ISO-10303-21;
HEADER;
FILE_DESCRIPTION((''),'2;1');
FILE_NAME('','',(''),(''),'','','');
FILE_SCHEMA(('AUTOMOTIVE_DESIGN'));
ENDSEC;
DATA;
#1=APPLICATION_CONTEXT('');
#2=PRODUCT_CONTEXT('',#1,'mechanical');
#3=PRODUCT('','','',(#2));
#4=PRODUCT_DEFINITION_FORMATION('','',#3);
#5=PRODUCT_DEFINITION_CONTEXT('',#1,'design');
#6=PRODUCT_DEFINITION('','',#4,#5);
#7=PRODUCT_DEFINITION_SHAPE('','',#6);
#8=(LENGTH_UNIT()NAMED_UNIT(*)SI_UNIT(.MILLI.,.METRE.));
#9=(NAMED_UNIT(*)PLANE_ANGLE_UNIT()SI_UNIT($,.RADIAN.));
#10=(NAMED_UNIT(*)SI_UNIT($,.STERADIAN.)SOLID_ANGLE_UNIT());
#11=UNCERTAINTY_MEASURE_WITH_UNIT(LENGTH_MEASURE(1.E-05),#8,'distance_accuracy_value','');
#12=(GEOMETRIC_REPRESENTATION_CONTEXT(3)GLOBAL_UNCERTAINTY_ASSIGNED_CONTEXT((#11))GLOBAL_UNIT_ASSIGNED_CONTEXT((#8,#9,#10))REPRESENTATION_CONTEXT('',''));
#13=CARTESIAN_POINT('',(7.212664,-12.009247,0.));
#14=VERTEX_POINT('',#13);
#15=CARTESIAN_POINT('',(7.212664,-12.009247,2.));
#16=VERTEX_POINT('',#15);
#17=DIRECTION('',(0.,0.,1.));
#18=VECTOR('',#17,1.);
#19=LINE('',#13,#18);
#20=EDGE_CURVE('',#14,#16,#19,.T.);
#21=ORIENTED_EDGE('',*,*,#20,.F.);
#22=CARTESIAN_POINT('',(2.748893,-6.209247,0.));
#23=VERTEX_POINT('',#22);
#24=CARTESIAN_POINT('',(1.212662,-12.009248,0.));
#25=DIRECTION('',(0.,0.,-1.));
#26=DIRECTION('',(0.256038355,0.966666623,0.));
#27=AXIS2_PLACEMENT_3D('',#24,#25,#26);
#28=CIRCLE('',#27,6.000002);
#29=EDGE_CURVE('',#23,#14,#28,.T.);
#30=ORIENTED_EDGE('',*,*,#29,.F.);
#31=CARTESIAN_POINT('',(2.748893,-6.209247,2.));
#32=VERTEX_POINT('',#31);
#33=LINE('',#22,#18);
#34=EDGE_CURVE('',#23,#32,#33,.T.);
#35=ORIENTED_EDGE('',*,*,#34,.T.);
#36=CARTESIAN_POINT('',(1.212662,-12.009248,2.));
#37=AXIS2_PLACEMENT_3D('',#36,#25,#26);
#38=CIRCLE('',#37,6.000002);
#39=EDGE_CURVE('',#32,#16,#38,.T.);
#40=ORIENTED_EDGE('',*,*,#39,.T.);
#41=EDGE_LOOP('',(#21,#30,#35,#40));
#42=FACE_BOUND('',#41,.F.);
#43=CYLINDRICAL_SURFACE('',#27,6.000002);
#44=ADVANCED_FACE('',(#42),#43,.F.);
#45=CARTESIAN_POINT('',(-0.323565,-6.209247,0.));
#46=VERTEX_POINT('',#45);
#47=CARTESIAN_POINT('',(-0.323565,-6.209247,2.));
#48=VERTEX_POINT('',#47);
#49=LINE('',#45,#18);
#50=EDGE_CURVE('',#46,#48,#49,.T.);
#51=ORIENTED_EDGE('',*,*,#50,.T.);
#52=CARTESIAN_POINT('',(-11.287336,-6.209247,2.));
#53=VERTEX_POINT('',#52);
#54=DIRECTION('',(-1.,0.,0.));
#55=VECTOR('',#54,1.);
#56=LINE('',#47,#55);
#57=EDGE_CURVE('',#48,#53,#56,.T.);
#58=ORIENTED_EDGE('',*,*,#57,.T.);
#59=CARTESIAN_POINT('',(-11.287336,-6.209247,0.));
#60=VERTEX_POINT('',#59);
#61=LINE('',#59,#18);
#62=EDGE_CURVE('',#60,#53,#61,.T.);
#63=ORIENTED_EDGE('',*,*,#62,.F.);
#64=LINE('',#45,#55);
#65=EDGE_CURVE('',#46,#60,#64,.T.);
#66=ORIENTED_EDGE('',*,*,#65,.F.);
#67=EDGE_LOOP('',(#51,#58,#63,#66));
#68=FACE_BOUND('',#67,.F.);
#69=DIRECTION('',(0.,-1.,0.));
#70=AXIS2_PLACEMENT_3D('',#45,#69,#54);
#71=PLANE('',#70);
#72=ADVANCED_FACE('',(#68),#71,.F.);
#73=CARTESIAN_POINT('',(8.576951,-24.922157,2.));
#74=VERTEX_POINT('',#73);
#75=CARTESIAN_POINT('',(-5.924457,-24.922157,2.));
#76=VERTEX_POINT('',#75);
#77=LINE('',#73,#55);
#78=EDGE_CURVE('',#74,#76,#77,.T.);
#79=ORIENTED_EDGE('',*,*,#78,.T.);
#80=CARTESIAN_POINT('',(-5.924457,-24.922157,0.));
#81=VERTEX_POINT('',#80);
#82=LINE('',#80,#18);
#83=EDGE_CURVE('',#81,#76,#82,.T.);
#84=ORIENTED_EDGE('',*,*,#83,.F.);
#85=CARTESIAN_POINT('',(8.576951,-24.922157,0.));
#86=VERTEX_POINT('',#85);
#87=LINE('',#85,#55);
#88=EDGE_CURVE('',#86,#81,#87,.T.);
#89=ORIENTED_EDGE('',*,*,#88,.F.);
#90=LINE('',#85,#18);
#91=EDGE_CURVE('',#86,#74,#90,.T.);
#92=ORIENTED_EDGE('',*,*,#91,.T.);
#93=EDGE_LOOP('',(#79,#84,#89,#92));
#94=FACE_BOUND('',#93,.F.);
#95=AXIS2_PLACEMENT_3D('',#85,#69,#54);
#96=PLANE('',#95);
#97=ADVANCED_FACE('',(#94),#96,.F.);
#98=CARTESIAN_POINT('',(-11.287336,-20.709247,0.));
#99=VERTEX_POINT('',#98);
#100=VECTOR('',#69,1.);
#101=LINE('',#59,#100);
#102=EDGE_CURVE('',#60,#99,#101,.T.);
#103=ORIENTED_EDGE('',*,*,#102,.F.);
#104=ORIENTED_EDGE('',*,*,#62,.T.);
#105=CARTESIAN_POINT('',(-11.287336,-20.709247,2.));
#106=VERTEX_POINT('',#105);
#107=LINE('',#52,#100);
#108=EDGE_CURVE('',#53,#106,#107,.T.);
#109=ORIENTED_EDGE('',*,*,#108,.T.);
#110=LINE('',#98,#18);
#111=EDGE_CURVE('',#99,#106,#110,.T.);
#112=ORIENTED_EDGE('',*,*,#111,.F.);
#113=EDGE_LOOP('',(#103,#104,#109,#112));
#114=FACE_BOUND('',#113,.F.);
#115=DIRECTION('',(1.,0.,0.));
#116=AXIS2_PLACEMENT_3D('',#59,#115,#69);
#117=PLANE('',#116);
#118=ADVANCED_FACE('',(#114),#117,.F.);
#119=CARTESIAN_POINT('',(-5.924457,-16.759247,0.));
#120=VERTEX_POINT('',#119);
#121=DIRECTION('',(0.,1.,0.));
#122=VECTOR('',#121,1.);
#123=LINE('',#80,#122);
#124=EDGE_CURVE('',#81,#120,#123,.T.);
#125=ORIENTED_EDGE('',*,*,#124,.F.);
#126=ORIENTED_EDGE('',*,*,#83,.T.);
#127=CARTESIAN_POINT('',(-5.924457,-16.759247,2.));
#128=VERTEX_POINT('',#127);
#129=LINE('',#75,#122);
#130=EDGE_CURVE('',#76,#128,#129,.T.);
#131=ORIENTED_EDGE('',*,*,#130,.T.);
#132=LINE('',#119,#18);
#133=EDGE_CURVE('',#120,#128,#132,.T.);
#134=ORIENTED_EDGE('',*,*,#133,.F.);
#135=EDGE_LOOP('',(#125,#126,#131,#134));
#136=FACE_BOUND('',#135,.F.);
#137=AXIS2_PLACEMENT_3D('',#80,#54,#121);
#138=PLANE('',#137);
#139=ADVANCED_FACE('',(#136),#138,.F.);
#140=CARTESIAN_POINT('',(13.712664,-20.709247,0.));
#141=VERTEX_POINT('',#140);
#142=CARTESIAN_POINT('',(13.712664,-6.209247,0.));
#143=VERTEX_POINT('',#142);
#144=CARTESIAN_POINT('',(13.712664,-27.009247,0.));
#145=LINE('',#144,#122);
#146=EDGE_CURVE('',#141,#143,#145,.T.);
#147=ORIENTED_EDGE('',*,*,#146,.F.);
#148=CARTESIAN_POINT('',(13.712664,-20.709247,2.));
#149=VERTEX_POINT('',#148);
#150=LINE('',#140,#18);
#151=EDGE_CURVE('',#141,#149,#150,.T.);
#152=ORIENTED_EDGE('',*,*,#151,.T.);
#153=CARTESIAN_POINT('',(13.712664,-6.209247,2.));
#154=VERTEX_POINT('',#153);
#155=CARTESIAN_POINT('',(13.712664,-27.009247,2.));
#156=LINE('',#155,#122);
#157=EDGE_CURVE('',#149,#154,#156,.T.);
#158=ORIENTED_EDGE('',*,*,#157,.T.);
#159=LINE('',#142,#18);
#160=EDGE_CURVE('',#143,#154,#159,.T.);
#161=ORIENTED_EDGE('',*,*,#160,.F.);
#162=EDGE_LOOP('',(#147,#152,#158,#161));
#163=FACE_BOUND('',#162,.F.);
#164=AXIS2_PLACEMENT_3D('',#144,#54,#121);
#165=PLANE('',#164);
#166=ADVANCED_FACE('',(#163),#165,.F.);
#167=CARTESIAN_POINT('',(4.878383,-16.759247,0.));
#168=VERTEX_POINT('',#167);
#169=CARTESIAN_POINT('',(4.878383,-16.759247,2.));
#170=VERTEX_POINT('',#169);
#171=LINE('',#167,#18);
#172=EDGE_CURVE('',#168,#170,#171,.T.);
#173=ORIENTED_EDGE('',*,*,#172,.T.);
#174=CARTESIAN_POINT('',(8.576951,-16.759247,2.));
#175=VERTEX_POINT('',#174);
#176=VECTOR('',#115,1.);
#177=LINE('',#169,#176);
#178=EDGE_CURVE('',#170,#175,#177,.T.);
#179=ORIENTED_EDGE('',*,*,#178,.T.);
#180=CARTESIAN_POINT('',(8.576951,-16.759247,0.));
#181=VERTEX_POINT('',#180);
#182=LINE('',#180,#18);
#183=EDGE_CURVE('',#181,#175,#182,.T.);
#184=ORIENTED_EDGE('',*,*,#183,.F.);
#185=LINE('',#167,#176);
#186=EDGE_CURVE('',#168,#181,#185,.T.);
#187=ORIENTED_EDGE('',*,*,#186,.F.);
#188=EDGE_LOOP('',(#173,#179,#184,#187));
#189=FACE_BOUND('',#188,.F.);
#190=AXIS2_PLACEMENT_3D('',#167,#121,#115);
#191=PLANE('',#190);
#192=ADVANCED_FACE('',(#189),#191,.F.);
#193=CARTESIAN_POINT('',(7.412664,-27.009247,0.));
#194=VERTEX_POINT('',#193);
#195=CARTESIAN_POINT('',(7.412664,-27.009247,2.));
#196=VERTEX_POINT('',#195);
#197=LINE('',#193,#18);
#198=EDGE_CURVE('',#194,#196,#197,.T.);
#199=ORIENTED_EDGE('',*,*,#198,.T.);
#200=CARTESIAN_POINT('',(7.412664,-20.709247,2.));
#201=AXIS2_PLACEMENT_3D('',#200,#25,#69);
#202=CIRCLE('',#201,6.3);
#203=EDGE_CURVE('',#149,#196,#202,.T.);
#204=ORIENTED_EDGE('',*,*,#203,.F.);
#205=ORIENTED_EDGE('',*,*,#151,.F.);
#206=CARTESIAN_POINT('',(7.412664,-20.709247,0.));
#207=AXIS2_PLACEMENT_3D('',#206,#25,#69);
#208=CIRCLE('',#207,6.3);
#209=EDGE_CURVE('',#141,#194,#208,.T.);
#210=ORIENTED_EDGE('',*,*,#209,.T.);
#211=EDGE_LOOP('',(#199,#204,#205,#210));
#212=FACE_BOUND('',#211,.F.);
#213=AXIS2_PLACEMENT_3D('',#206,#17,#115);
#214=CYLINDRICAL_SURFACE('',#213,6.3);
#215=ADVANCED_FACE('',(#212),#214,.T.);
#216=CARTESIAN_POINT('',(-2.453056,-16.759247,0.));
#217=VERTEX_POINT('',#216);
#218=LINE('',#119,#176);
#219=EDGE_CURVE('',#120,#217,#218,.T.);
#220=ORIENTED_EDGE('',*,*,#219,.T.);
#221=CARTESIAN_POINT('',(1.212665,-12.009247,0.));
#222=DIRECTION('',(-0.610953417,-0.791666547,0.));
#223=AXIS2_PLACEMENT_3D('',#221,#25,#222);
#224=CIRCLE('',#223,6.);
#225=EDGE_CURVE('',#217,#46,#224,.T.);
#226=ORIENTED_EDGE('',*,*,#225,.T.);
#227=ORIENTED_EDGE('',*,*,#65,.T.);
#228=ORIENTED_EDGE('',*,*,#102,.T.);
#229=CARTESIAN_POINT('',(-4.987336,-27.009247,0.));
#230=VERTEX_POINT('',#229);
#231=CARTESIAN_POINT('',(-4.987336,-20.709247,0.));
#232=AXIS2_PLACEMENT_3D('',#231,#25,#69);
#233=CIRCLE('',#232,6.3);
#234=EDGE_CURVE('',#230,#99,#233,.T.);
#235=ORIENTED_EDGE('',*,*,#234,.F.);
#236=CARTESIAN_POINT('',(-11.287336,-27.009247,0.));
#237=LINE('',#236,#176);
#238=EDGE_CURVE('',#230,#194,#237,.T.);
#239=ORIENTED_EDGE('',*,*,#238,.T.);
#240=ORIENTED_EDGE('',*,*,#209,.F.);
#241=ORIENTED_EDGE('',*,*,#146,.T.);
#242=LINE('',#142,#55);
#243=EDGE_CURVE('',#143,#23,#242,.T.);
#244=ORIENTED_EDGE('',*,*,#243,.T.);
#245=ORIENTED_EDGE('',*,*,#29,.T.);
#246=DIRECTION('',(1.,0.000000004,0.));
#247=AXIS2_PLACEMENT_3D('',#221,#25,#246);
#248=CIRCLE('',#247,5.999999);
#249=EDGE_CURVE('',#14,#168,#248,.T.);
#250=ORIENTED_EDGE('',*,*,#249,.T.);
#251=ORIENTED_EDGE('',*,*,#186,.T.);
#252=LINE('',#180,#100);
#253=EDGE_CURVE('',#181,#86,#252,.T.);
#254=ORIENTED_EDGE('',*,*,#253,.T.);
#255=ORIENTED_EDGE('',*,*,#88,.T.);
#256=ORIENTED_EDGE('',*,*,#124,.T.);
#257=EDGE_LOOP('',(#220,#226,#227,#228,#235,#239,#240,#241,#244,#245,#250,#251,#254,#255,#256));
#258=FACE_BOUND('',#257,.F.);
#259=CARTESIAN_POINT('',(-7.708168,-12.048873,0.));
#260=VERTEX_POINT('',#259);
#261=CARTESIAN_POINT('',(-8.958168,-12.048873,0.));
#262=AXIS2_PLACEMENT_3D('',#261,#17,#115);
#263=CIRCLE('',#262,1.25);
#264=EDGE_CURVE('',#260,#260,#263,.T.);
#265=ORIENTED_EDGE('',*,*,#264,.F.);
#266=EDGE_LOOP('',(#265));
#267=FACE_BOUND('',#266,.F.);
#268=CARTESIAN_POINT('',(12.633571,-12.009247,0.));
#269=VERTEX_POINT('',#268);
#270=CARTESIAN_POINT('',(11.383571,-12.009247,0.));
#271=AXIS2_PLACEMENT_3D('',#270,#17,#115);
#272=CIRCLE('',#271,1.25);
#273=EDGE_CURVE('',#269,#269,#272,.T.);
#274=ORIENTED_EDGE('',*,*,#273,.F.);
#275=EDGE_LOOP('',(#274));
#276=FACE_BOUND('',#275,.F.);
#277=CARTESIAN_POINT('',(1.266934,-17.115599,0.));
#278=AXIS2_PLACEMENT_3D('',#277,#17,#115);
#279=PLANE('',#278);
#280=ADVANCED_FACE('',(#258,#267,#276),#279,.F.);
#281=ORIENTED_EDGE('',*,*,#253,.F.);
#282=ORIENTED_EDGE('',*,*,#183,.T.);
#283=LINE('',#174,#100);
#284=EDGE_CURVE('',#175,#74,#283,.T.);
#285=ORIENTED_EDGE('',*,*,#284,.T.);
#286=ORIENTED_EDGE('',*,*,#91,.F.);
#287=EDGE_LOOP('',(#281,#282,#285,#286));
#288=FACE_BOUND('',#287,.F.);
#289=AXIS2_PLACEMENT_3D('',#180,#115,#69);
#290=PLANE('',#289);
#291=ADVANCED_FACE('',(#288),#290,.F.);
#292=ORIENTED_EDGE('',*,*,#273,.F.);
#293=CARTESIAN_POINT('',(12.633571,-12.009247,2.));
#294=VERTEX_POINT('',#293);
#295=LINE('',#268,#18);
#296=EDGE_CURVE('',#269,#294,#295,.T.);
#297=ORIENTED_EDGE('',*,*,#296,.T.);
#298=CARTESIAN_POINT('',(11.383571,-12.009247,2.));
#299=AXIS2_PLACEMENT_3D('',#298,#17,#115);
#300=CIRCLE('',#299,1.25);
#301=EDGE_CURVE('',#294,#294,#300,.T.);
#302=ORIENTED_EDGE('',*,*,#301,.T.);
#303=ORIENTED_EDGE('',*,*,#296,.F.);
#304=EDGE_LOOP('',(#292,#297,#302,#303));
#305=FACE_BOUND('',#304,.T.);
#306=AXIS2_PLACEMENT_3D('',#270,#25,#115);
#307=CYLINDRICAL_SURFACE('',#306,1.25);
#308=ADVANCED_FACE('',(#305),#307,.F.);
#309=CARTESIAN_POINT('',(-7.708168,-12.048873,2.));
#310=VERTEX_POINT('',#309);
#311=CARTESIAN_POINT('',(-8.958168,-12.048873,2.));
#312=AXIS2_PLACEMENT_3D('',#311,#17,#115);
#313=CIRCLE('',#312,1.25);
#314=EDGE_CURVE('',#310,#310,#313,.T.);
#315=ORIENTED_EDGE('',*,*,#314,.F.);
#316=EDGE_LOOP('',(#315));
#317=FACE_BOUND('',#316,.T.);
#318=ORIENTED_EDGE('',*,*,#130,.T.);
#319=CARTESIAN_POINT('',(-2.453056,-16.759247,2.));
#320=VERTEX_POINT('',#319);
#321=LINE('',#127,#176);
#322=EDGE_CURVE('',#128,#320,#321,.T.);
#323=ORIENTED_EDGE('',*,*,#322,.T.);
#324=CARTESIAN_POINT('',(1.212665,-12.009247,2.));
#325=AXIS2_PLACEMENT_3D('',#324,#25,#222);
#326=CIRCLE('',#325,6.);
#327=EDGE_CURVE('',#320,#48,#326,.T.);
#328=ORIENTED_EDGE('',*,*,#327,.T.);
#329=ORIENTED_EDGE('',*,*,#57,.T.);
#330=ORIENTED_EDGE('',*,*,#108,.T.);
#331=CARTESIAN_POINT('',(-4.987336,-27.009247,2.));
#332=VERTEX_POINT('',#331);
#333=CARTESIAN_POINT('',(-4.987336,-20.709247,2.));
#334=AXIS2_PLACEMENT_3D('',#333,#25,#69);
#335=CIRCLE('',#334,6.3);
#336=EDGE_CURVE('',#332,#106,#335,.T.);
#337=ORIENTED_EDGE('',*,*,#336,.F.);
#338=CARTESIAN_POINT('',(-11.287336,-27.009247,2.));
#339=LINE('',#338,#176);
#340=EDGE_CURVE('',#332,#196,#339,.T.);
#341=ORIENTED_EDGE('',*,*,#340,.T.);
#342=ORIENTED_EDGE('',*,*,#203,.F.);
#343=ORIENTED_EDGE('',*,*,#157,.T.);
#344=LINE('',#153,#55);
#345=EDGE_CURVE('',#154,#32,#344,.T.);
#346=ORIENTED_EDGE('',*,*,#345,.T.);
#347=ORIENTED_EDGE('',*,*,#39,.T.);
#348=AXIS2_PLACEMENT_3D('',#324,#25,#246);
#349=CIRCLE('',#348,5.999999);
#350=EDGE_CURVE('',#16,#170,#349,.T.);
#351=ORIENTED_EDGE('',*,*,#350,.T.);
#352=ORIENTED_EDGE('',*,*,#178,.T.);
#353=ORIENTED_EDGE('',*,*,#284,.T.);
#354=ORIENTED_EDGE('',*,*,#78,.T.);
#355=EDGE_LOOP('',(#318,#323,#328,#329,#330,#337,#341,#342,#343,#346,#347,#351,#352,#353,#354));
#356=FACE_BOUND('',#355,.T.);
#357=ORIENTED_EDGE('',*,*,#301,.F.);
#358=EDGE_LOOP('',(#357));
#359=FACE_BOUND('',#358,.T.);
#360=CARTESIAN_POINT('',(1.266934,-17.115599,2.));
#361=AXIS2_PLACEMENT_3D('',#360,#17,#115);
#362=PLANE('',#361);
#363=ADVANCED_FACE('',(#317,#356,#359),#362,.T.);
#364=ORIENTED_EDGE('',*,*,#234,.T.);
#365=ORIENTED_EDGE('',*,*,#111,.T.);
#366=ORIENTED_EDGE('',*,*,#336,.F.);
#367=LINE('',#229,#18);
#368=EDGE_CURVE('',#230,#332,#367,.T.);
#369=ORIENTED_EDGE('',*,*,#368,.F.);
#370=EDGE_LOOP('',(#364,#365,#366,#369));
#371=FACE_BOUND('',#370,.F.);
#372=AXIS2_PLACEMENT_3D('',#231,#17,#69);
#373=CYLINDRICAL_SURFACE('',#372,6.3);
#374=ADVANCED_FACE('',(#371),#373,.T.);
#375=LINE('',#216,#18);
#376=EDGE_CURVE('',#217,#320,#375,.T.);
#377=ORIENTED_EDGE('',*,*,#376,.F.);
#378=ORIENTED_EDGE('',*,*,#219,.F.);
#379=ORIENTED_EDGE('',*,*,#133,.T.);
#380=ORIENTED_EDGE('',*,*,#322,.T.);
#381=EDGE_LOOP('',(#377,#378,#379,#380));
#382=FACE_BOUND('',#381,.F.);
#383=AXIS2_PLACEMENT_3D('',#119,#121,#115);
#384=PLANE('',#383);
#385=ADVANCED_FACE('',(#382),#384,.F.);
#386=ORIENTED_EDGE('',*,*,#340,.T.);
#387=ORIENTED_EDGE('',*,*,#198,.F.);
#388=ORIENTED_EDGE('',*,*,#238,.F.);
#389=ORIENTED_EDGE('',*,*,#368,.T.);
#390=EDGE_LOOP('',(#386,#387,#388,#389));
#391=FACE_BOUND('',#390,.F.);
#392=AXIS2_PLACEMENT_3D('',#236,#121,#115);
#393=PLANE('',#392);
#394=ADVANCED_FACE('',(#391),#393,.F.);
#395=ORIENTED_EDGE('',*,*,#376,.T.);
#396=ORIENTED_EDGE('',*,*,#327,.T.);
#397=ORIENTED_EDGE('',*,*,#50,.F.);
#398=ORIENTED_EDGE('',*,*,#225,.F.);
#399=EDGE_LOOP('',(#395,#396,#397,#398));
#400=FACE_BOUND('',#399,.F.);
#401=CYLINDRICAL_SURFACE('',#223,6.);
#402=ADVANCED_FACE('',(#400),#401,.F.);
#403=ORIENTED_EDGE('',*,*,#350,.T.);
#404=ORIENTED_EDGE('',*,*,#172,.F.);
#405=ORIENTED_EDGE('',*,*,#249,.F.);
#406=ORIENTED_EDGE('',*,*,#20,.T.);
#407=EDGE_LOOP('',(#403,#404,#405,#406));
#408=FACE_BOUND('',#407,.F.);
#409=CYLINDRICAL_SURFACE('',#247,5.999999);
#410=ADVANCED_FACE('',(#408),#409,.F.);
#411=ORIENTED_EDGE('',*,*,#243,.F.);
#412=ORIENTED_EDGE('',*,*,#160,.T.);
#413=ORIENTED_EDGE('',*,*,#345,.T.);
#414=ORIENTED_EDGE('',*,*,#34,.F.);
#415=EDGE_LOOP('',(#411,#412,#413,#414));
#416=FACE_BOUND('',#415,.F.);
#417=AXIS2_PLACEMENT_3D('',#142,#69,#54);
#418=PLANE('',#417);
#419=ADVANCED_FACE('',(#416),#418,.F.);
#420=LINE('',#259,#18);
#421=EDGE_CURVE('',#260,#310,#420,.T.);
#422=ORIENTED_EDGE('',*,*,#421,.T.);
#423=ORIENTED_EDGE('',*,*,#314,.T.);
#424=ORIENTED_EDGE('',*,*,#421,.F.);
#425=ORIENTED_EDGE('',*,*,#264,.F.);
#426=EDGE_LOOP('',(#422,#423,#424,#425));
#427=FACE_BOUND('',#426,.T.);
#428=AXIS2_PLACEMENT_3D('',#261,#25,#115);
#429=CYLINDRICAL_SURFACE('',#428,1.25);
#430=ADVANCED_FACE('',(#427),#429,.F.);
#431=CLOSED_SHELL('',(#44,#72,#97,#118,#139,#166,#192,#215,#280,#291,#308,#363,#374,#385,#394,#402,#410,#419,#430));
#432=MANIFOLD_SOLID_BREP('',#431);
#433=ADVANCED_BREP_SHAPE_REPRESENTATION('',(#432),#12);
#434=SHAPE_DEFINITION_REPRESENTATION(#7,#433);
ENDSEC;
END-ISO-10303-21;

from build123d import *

# Parameters (mm, degrees)
F0_R     = 1.25
F1_DEPTH = 2
F2_R     = 6.3


with BuildPart() as f1:
    # F0 (on Top) → F1 (new body)
    with BuildSketch(Plane.XY):
        with BuildLine():
            ThreePointArc((2.748893, -6.209247), (5.967523, -8.349833), (7.212664, -12.009247))
            ThreePointArc((7.212664, -12.009247), (6.597565, -14.655535), (4.878383, -16.759247))
            Line((4.878383, -16.759247), (5.962664, -16.759247))
            Line((5.962664, -16.759247), (8.576951, -16.759247))
            Line((8.576951, -16.759247), (8.576951, -24.922157))
            Line((8.576951, -24.922157), (-5.924457, -24.922157))
            Line((-5.924457, -24.922157), (-5.924457, -16.759247))
            Line((-5.924457, -16.759247), (-3.537336, -16.759247))
            Line((-3.537336, -16.759247), (-2.453056, -16.759247))
            ThreePointArc((-2.453056, -16.759247), (-4.668721, -10.822105), (-0.323565, -6.209247))
            Line((-0.323565, -6.209247), (-11.287336, -6.209247))
            Line((-11.287336, -6.209247), (-11.287336, -21.309247))
            Line((-11.287336, -21.309247), (-11.287336, -27.009247))
            Line((-11.287336, -27.009247), (13.712664, -27.009247))
            Line((13.712664, -27.009247), (13.712664, -22.122699))
            Line((13.712664, -22.122699), (13.712664, -6.209247))
            Line((13.712664, -6.209247), (2.748893, -6.209247))
        make_face()
        with Locations((-8.958168, -12.048873)):
            Circle(F0_R, mode=Mode.SUBTRACT)
        with Locations((11.383571, -12.009247)):
            Circle(F0_R, mode=Mode.SUBTRACT)
    extrude(amount=F1_DEPTH)

    # F2
    f2_edges = [f1.edges().sort_by_distance(p)[0] for p in [
        (-11.287336, -27.009247, 1),
        (13.712664, -27.009247, 1),
    ]]
    fillet(f2_edges, radius=F2_R)


solid = f1.part
